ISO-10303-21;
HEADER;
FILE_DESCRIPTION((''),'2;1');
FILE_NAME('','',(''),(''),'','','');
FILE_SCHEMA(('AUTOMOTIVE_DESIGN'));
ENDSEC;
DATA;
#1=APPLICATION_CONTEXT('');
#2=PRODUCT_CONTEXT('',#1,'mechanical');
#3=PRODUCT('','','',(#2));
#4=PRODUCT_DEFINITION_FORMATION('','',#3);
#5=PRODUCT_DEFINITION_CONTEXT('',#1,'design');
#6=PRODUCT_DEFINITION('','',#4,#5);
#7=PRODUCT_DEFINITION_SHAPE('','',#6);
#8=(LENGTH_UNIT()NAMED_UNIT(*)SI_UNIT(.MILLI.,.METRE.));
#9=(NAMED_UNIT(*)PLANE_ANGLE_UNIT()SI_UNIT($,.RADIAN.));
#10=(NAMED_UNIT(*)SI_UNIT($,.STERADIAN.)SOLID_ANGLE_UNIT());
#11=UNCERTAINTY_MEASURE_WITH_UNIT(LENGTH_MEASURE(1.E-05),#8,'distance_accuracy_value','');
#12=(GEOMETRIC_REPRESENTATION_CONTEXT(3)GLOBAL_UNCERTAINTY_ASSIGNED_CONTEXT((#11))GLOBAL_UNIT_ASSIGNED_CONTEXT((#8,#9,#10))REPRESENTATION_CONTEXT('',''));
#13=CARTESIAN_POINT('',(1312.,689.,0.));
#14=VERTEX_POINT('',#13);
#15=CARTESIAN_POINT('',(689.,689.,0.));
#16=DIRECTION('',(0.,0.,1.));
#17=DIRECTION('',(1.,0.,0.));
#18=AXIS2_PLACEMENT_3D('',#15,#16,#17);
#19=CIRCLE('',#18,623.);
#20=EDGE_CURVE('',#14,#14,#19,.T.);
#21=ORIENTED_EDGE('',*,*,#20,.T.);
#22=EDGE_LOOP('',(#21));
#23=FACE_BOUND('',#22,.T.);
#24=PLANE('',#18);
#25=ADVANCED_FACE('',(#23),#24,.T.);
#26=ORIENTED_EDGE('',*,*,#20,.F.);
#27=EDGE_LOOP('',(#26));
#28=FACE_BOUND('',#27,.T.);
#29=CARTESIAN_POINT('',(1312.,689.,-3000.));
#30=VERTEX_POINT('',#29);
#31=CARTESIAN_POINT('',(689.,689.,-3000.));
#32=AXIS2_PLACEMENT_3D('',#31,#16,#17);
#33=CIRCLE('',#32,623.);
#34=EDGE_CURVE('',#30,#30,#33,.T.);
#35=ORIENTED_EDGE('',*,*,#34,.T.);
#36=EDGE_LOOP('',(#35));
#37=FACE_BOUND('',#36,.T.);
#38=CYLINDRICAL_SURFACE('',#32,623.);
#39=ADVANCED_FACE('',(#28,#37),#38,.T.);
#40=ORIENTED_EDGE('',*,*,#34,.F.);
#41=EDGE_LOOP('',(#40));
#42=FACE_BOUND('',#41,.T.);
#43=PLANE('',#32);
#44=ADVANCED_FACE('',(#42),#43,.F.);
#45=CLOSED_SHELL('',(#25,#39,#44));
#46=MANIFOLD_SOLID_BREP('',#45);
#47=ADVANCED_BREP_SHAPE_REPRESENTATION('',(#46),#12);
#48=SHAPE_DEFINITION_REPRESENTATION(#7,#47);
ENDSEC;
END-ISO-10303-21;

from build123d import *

# Parameters (mm, degrees)
SKETCH_1_R      = 623
EXTRUDE_1_DEPTH = 3000


with BuildPart() as part:
    # Эскиз1 → Вытянуть1 (new body)
    with BuildSketch(Plane.XY):
        with Locations((689, 689)):
            Circle(SKETCH_1_R)
    extrude(amount=-EXTRUDE_1_DEPTH)


solid = part.part
